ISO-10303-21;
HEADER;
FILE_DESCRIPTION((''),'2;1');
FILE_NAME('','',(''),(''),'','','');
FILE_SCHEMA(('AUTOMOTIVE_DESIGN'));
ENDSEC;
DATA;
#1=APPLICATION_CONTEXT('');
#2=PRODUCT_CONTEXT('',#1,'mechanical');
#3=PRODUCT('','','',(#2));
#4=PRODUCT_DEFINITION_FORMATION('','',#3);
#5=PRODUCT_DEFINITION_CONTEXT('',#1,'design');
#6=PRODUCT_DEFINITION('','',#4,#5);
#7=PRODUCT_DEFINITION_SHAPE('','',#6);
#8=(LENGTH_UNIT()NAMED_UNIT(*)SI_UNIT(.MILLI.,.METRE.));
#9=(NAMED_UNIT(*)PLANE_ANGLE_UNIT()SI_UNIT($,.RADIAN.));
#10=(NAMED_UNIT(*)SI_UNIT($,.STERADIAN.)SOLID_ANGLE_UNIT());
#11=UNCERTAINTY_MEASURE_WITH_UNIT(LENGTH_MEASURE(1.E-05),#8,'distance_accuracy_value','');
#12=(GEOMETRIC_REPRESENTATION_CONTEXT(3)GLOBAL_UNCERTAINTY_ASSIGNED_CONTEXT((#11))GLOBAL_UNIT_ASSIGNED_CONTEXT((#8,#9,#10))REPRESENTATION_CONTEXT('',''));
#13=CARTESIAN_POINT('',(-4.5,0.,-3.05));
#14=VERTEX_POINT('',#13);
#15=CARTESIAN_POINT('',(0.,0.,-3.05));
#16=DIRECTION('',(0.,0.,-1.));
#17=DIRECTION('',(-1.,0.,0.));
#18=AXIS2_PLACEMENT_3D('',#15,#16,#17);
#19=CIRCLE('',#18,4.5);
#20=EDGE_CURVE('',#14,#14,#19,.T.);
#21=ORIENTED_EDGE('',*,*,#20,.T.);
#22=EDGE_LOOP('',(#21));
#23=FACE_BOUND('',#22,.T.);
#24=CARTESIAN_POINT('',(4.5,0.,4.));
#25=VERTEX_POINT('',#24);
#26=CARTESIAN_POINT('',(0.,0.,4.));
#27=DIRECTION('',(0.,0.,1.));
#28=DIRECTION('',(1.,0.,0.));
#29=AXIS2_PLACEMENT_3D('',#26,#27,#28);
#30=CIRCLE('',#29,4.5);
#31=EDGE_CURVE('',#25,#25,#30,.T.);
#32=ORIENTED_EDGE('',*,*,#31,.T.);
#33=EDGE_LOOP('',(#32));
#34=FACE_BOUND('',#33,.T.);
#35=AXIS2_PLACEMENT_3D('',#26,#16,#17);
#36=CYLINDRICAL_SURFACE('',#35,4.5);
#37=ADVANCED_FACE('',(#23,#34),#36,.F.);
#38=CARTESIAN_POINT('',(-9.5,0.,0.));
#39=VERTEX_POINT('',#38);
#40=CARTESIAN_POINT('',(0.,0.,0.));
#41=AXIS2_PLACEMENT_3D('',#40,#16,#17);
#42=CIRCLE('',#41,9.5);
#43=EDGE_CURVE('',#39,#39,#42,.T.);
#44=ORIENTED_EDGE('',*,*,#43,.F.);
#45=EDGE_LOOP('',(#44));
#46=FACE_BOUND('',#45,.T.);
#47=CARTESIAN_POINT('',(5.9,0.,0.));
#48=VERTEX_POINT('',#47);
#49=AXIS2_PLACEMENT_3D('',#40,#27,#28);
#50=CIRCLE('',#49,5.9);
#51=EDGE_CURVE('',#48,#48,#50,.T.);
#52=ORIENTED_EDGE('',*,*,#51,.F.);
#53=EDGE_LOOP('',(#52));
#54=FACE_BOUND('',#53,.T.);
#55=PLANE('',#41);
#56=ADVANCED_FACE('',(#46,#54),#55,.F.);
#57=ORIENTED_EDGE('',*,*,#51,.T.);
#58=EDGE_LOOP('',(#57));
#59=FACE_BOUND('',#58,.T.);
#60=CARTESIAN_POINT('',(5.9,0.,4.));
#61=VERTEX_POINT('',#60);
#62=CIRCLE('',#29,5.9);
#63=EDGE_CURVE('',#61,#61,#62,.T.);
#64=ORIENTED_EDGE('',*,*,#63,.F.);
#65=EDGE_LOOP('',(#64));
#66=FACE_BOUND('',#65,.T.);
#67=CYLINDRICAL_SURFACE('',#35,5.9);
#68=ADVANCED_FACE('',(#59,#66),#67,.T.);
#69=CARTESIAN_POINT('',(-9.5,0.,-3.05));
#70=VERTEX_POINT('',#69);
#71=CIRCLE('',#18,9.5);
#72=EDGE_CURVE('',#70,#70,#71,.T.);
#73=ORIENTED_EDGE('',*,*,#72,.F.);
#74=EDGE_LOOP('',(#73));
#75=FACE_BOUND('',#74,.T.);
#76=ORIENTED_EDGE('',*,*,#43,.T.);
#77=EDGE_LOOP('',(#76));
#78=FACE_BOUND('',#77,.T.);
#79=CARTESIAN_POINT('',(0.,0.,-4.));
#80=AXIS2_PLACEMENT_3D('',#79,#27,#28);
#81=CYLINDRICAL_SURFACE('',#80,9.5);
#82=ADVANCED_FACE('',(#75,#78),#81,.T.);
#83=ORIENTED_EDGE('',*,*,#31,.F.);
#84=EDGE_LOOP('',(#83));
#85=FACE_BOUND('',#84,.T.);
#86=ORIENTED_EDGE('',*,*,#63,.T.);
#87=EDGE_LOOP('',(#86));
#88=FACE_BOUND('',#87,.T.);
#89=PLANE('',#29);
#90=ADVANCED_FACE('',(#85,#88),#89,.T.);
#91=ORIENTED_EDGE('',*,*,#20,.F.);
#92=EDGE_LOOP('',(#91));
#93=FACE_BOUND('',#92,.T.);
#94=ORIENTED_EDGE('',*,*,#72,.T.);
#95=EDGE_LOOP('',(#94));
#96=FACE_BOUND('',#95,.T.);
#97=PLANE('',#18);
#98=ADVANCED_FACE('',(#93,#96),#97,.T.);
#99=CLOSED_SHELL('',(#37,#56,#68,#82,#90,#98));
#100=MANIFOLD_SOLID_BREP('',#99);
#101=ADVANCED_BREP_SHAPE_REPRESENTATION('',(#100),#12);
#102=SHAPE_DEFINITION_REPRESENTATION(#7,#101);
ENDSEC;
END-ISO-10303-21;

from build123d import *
from build123d.topology import SkipClean

# Parameters (mm, degrees)
SCHIZZO1_R                   = 5.9
SCHIZZO1_R_2                 = 4.5
ESTRUSIONE_ESTRUSIONE1_DEPTH = 4
ESTRUSIONE_ESTRUSIONE2_START = 4
SCHIZZO2_R                   = 9.5
SCHIZZO2_R_2                 = 4.5
ESTRUSIONE_ESTRUSIONE2_DEPTH = 4
SCHIZZO3_R                   = 9.5
TAGLIO_ESTRUSIONE1_DEPTH     = 0.95


with BuildPart() as part:
    # Schizzo1 → Estrusione-Estrusione1 (new body)
    with BuildSketch(Plane.XY):
        Circle(SCHIZZO1_R)
        Circle(SCHIZZO1_R_2, mode=Mode.SUBTRACT)
    extrude(amount=ESTRUSIONE_ESTRUSIONE1_DEPTH)

    # Schizzo2 → Estrusione-Estrusione2 (add)
    with SkipClean():  # the faces are left unmerged after this step: merging them gives an invalid solid
        with BuildSketch(Plane(origin=(0, 0, 0), x_dir=(-1, 0, 0), z_dir=(0, 0, -1)).offset(ESTRUSIONE_ESTRUSIONE2_START)):
            Circle(SCHIZZO2_R)
            Circle(SCHIZZO2_R_2, mode=Mode.SUBTRACT)
        extrude(amount=-ESTRUSIONE_ESTRUSIONE2_DEPTH)

    # Schizzo3 → Taglio-Estrusione1 (cut)
    with SkipClean():  # the faces are left unmerged after this step: merging them gives an invalid solid
        with BuildSketch(Plane(origin=(0, 0, -4), x_dir=(-1, 0, 0), z_dir=(0, 0, -1))):
            Circle(SCHIZZO3_R)
        extrude(amount=-TAGLIO_ESTRUSIONE1_DEPTH, mode=Mode.SUBTRACT)


solid = part.part
